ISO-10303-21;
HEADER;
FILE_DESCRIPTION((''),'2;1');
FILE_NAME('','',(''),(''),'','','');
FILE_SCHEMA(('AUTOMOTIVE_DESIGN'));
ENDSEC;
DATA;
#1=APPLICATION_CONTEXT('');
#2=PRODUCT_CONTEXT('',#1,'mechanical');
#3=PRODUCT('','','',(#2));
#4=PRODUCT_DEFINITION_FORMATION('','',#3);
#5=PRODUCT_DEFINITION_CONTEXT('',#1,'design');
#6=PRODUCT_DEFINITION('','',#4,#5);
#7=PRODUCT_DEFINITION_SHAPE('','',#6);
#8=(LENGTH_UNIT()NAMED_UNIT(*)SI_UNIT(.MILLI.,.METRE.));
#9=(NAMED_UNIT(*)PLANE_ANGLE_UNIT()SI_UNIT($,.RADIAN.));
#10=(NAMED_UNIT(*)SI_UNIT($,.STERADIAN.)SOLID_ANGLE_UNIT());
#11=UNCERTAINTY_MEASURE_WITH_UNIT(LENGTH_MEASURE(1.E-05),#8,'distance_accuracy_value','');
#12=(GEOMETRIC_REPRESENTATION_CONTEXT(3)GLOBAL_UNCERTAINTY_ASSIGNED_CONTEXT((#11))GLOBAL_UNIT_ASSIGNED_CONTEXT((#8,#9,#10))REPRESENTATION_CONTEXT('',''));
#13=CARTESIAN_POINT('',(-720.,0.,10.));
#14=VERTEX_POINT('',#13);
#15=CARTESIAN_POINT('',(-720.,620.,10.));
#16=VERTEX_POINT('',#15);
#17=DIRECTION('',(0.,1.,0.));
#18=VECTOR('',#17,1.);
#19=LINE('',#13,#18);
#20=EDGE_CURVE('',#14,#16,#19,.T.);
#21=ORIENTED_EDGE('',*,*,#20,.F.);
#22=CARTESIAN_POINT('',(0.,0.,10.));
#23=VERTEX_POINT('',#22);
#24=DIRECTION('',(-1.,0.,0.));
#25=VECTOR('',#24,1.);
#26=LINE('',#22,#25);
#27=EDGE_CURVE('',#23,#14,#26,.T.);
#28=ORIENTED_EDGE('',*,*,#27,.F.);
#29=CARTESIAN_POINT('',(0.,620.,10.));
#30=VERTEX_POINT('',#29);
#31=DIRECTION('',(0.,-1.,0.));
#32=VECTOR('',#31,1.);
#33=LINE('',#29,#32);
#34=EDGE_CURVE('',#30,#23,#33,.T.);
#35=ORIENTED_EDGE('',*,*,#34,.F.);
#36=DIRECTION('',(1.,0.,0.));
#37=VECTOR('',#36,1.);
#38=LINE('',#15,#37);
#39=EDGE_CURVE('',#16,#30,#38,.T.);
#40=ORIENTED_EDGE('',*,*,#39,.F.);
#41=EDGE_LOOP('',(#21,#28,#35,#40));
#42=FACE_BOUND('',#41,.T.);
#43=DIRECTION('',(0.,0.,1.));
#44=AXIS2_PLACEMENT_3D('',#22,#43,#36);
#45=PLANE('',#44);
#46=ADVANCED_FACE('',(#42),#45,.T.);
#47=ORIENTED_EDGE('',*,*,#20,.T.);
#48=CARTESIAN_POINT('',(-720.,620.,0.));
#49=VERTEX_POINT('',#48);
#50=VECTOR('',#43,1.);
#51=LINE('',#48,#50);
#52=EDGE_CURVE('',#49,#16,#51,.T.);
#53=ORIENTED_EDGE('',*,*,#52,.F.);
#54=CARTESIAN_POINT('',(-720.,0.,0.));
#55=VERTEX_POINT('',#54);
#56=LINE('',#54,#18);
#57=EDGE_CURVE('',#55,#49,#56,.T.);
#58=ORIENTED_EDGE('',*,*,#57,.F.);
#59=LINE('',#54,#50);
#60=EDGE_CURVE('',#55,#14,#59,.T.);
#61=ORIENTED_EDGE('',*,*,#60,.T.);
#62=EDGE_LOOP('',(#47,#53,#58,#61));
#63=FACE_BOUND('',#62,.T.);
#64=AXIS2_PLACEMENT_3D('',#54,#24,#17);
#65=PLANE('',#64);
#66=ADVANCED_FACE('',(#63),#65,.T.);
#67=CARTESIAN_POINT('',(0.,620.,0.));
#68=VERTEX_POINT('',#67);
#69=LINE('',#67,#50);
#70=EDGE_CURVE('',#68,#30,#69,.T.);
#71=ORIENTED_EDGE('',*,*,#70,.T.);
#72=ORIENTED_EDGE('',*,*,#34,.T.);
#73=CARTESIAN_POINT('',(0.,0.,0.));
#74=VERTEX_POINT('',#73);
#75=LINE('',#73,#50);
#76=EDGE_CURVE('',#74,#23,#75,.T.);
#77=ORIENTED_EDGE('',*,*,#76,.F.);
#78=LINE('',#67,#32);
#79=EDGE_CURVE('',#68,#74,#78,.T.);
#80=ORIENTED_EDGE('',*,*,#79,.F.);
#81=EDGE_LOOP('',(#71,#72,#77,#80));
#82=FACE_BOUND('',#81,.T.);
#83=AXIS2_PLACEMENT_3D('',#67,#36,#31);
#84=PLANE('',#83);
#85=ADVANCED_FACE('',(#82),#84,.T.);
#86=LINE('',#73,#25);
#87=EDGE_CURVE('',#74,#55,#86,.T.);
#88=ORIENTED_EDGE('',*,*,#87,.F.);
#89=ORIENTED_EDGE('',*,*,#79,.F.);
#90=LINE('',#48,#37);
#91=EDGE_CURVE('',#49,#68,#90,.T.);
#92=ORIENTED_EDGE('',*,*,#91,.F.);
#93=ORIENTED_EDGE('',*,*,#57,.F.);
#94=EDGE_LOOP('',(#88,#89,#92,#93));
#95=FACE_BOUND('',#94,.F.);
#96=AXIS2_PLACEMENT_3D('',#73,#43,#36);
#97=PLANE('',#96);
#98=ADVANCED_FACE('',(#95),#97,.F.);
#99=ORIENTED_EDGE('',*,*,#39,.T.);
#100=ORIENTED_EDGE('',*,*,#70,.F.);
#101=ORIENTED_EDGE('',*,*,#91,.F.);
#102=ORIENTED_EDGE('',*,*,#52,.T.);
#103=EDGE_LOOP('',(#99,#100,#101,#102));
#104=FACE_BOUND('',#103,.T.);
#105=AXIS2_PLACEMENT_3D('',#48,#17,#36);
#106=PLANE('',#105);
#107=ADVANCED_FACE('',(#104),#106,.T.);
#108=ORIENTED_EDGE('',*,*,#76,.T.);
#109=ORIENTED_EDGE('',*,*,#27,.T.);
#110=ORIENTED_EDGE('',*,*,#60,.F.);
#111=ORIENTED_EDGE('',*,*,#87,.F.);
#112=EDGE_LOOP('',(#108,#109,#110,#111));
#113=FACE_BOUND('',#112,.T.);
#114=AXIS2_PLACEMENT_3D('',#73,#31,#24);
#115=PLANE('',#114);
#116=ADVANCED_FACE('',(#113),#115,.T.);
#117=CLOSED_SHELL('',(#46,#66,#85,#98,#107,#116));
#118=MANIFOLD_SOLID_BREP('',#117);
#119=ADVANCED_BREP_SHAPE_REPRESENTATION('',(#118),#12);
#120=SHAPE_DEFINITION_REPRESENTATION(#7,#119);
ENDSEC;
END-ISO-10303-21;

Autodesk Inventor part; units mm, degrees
ref_plane "YZ Plane" through (0, 0, 0) normal (1, 0, 0) x (0, 1, 0)
ref_plane "XZ Plane" through (0, 0, 0) normal (0, 1, 0) x (-1, 0, 0)
ref_plane "XY Plane" through (0, 0, 0) normal (0, 0, 1) x (1, 0, 0)
sketch "Sketch1" plane through (0, 0, 0) normal (0, 0, 1) x (1, 0, 0)
  line L0 (0, 0) -> (-720, 0)
  line L1 (-720, 0) -> (-720, 620)
  line L2 (-720, 620) -> (0, 620)
  line L3 (0, 620) -> (0, 0)
  dimension "d6" = 720
  dimension "d7" = 620
extrude "Extrusion1" add sketch "Sketch1" along normal blind 10
properties part number "sheet"
